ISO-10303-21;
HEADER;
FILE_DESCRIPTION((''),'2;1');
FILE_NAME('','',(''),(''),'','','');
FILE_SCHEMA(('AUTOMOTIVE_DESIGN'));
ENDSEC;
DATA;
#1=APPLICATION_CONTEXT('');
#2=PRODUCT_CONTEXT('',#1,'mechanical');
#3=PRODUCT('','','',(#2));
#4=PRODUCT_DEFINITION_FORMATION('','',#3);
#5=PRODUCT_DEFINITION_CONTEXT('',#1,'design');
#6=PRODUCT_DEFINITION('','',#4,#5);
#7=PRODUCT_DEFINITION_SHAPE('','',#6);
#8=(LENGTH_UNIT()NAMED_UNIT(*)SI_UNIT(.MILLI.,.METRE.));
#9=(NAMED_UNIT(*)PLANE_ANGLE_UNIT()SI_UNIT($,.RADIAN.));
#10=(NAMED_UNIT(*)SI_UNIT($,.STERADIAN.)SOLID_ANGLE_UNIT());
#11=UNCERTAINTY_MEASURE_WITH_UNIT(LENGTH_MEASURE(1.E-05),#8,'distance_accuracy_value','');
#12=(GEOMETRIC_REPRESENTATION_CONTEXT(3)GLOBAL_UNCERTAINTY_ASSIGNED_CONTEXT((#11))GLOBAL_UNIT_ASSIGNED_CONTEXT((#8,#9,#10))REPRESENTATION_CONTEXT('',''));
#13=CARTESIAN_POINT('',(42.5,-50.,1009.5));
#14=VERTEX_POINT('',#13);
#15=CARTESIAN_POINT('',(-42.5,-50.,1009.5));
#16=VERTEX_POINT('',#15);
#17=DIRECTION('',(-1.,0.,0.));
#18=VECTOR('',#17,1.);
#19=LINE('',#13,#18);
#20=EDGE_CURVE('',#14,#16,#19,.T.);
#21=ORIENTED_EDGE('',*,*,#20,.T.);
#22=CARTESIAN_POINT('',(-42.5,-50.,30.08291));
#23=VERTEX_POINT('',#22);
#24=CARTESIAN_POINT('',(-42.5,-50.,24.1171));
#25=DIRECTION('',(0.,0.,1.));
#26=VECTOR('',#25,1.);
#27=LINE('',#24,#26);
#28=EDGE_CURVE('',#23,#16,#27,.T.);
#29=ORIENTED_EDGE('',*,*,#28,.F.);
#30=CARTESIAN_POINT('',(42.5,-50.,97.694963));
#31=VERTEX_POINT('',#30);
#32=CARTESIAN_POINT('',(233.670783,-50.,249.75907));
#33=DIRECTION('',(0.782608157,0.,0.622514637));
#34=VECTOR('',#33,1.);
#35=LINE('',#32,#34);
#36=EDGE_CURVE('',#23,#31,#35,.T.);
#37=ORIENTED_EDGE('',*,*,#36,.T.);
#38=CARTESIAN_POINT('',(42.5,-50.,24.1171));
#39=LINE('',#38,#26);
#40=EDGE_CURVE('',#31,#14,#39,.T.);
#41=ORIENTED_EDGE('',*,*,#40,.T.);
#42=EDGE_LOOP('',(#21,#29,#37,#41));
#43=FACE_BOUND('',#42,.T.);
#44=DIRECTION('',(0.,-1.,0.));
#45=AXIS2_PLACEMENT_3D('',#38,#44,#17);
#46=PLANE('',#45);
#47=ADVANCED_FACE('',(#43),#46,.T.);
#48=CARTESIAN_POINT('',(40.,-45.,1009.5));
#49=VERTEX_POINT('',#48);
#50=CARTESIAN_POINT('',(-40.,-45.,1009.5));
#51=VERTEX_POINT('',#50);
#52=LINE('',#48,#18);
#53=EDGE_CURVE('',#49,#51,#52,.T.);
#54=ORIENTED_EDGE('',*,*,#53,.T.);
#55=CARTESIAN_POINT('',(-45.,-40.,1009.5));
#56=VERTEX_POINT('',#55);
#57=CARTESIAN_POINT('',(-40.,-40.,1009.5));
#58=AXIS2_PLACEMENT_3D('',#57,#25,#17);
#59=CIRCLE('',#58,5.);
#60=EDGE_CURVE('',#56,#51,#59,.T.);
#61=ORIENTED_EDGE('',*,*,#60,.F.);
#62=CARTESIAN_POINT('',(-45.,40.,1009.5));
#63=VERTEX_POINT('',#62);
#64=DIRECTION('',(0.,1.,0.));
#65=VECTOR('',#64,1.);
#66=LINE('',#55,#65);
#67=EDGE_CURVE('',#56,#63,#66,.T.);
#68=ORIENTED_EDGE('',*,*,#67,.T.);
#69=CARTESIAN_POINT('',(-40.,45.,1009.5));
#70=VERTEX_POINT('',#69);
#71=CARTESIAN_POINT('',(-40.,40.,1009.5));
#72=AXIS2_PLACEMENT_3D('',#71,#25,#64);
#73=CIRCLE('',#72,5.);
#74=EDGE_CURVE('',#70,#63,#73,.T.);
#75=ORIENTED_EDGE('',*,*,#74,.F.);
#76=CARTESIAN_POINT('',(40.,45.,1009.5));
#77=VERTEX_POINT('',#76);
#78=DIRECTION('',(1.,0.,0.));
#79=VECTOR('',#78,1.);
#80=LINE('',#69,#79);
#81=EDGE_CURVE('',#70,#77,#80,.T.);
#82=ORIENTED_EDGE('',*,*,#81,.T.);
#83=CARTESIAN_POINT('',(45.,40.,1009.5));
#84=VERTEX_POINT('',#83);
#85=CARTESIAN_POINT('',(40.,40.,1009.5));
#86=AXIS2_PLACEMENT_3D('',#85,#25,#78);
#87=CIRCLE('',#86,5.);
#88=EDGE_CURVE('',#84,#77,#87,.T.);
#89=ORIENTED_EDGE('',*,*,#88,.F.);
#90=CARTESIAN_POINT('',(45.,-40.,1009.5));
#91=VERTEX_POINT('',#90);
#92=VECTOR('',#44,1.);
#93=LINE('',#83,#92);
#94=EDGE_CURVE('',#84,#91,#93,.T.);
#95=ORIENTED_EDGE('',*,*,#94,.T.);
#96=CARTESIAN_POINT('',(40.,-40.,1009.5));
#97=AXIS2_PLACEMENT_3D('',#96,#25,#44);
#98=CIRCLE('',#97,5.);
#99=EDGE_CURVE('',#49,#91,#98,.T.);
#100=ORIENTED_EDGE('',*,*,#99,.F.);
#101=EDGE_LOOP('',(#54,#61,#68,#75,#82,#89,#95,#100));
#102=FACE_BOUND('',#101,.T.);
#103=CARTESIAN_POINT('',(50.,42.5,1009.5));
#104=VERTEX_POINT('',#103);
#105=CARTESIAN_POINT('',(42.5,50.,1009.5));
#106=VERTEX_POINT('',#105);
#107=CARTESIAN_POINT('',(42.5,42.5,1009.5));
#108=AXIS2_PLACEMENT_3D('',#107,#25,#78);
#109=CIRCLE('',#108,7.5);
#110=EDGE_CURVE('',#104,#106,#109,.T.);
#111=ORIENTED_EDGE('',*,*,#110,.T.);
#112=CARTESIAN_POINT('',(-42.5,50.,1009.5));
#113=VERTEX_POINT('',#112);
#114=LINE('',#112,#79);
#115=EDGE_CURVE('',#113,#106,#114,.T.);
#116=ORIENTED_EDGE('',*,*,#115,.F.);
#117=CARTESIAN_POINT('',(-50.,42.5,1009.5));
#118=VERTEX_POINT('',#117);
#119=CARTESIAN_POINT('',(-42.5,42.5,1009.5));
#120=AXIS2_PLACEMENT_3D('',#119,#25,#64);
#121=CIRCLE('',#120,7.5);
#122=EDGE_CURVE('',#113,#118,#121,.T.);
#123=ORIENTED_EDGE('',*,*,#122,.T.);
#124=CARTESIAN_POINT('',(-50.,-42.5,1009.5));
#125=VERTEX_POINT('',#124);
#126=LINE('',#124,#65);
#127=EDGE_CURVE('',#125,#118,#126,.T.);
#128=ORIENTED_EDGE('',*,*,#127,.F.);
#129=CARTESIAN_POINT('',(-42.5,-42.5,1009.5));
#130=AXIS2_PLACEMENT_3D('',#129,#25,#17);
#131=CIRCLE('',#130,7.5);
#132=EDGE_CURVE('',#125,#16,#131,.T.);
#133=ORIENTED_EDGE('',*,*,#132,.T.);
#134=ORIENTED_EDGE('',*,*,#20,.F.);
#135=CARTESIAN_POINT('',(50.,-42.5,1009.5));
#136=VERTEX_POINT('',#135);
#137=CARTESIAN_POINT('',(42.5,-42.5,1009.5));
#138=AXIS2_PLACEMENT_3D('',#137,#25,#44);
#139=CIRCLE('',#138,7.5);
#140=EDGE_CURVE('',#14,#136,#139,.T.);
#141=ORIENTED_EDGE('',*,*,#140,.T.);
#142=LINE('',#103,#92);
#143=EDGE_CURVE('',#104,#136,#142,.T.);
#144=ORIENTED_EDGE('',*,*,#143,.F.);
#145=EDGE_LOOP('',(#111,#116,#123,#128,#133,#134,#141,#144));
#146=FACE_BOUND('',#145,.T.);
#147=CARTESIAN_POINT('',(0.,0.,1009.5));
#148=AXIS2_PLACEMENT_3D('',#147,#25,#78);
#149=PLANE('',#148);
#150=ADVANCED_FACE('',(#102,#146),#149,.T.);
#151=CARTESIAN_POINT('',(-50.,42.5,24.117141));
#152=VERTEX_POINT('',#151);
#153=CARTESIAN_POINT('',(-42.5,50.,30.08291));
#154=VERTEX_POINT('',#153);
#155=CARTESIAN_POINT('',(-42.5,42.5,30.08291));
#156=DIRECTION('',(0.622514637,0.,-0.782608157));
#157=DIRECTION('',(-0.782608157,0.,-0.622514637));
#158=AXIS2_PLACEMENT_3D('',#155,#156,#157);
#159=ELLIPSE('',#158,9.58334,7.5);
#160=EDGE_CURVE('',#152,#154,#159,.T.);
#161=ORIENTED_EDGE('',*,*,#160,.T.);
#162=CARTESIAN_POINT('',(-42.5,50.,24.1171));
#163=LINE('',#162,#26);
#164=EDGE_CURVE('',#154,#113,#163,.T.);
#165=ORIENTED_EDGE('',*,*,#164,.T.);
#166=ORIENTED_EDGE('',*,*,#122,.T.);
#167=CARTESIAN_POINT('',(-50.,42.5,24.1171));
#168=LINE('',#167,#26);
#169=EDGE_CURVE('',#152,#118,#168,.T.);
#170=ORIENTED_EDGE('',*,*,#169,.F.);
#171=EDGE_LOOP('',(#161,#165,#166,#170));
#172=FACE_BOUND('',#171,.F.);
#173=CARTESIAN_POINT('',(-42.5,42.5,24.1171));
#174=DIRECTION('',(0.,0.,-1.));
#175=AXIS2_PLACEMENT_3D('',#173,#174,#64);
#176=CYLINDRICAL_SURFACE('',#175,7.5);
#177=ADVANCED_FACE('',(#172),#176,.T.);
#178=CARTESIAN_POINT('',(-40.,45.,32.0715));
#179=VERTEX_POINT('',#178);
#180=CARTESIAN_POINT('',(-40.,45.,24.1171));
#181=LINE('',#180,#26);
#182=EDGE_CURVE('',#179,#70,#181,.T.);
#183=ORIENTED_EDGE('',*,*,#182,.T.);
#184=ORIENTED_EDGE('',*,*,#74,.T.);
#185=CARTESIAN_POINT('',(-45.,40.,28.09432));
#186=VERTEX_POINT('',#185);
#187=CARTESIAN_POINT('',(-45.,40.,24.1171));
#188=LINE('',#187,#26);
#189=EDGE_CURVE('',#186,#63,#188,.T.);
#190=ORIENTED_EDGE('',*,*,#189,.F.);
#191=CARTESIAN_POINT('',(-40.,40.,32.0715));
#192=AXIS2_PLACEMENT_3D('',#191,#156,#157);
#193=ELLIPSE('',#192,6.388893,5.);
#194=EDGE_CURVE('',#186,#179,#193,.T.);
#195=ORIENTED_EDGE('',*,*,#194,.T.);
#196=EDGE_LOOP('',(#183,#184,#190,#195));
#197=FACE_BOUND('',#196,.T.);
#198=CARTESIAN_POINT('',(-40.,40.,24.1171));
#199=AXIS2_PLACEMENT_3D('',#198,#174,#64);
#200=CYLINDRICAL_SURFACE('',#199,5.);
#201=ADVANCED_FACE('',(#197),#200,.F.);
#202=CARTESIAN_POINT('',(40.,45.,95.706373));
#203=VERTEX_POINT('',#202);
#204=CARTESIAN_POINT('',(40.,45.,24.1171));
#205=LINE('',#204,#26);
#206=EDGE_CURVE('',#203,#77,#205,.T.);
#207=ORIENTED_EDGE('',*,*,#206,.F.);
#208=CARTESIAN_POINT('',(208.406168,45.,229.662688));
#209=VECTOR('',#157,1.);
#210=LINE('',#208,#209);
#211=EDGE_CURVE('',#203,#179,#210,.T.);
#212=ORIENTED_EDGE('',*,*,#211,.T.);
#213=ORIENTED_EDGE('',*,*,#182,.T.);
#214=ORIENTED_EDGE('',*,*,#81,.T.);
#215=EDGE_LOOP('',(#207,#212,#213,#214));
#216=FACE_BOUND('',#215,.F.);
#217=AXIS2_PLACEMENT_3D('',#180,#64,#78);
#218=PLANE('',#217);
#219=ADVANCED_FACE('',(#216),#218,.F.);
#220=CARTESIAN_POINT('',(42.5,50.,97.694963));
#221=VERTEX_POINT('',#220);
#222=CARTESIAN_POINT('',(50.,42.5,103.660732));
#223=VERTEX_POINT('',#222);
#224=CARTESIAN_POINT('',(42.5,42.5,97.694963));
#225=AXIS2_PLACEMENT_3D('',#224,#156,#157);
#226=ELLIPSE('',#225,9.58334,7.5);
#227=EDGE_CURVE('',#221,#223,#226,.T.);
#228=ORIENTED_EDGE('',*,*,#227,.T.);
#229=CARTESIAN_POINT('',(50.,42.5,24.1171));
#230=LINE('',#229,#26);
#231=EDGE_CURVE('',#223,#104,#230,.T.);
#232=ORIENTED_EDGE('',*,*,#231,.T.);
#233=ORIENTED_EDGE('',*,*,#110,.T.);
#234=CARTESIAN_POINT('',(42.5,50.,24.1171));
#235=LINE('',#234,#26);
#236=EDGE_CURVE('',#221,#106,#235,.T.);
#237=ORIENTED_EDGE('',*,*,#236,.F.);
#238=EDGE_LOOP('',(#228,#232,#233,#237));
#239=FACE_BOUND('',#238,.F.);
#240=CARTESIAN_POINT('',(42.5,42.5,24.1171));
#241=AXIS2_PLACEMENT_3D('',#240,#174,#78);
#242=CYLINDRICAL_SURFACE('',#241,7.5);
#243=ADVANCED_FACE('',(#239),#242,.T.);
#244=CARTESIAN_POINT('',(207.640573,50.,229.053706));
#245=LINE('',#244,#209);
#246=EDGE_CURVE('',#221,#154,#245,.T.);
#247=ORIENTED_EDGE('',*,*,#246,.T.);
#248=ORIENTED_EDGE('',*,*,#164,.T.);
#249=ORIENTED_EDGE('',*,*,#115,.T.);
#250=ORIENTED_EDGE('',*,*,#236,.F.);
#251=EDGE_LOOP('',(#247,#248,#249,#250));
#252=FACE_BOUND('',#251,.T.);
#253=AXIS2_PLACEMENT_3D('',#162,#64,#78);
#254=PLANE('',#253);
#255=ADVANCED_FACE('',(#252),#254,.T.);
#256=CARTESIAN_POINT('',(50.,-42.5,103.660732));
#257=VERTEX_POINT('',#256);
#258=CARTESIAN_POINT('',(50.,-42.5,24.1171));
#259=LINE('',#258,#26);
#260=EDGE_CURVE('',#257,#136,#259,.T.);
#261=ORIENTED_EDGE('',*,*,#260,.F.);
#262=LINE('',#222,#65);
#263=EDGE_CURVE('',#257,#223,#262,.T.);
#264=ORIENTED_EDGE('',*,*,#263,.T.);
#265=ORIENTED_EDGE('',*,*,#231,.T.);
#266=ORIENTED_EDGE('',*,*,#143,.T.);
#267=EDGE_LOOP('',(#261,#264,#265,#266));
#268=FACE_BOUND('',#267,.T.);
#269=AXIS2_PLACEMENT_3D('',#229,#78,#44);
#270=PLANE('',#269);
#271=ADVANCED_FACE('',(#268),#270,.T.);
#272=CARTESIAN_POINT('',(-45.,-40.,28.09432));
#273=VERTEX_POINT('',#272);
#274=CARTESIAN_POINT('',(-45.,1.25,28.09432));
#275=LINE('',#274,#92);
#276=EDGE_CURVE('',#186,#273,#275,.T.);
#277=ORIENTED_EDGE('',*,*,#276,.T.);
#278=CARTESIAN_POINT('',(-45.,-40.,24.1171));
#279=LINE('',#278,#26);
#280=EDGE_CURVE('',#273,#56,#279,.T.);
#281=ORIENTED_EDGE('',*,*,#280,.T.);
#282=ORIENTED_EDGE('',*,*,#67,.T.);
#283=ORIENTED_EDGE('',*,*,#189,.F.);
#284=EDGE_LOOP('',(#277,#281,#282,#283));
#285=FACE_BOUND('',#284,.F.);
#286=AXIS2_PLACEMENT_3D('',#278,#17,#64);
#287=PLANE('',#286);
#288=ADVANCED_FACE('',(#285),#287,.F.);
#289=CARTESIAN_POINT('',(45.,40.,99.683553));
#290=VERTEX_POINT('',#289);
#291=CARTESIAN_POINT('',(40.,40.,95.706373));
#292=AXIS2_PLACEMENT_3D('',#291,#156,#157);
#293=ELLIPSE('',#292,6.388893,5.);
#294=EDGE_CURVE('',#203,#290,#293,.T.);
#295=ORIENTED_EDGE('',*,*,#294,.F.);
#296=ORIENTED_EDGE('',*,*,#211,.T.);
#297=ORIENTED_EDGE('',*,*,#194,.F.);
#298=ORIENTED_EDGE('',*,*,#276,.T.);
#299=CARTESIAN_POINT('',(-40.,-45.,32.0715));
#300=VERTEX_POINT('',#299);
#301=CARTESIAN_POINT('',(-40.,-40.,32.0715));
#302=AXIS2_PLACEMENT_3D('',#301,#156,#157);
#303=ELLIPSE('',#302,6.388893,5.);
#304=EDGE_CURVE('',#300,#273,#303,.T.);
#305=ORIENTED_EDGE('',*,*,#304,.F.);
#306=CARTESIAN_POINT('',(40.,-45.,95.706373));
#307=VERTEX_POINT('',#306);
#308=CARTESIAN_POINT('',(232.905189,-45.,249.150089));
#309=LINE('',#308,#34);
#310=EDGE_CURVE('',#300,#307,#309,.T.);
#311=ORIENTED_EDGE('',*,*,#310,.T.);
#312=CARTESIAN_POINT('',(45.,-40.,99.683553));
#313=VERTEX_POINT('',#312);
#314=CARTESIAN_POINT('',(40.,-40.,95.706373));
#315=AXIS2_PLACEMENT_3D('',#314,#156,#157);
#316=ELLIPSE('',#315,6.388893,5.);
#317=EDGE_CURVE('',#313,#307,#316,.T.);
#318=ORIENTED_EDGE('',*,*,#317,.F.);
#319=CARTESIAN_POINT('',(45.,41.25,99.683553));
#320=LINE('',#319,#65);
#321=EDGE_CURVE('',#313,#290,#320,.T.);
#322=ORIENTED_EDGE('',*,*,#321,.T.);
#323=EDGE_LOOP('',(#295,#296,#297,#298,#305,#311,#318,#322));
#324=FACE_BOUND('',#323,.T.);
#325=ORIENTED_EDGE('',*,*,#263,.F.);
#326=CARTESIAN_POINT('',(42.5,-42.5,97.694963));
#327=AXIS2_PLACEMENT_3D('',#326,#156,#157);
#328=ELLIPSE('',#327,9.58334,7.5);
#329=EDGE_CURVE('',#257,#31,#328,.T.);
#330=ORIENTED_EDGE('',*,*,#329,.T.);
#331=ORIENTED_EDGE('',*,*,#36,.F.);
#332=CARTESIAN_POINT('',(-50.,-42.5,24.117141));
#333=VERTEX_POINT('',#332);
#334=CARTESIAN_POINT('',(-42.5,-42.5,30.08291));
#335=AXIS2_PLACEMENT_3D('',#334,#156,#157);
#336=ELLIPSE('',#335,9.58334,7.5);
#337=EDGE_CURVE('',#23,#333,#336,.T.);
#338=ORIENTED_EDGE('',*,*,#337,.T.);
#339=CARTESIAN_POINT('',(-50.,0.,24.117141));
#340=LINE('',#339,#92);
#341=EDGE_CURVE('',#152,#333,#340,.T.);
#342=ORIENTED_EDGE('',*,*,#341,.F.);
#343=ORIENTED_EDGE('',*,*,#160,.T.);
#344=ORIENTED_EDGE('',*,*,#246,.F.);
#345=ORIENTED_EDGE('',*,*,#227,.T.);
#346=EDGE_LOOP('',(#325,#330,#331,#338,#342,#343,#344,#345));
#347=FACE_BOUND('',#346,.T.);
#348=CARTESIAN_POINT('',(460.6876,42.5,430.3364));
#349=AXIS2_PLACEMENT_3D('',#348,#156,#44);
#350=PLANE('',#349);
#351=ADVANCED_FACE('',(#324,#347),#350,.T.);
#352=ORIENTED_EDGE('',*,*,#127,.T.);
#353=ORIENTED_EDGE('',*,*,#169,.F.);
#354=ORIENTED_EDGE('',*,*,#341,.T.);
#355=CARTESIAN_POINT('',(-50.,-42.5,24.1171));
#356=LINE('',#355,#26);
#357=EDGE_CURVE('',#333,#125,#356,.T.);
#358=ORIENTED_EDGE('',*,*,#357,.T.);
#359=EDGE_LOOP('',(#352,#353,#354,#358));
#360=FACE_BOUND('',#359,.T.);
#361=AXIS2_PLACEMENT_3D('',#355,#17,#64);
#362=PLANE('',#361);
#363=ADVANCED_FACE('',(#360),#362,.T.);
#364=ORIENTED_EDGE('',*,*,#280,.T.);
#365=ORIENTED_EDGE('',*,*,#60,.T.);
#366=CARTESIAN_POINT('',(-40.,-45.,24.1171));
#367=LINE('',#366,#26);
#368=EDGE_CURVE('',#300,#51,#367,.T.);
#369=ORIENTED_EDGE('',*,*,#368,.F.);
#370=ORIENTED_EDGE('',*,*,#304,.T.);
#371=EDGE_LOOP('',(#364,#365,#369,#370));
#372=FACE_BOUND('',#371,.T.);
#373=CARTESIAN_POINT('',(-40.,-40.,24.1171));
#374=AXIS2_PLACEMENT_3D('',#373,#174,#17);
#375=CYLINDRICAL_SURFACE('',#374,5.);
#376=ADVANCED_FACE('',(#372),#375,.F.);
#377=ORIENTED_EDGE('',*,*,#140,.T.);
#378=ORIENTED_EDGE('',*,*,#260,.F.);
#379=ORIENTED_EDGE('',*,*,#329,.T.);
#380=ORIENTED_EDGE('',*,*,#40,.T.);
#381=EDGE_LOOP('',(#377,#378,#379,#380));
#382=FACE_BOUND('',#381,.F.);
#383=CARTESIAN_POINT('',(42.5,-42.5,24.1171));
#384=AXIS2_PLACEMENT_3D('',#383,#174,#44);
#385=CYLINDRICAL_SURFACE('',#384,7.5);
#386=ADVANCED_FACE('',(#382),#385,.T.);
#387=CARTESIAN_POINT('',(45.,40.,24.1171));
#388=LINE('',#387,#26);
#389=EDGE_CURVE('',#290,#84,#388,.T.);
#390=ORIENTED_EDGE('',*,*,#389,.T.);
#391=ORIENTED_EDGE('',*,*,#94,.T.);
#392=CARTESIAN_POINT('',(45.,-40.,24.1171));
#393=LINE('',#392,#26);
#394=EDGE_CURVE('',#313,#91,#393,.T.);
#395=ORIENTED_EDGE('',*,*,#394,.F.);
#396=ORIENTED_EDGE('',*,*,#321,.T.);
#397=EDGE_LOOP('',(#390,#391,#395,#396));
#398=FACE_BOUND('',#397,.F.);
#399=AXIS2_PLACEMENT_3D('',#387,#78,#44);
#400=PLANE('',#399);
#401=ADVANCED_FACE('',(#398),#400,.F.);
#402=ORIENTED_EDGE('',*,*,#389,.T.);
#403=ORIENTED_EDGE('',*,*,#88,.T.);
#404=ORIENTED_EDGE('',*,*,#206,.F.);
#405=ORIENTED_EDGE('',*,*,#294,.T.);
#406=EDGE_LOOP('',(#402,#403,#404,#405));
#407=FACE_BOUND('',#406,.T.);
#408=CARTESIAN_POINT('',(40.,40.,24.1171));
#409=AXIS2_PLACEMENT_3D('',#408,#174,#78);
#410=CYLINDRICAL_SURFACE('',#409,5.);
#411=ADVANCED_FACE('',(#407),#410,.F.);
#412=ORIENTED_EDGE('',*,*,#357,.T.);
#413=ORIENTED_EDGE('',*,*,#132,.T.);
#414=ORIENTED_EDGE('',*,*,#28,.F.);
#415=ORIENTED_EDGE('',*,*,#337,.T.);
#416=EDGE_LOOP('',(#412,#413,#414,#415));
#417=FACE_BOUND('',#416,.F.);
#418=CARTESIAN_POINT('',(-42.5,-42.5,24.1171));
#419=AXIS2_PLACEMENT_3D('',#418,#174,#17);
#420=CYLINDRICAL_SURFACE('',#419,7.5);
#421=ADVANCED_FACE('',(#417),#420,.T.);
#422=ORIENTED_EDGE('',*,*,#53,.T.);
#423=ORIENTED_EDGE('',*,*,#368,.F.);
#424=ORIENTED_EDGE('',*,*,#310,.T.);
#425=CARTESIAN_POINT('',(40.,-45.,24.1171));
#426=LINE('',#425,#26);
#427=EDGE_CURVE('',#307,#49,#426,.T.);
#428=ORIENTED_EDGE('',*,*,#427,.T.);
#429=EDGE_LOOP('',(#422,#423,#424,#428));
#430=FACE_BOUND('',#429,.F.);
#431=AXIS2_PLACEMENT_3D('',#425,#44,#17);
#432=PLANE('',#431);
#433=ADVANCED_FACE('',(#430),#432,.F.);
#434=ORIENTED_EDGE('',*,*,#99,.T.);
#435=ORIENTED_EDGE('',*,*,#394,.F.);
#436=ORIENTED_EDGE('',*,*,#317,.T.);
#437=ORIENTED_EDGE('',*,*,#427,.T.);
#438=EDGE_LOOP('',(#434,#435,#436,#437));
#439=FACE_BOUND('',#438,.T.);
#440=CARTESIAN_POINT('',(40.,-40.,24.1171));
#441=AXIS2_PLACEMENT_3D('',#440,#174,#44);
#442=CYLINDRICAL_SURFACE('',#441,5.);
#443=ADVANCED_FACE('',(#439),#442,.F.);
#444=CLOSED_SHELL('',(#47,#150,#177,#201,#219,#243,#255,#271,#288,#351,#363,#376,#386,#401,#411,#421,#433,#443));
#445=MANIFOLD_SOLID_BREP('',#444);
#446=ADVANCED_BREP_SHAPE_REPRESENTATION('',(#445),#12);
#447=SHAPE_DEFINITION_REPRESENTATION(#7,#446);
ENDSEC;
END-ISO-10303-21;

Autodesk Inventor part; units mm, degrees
ref_plane "Start Plane" through (0, 0, 24.1171) normal (0, 0, 1) x (1, 0, 0)
ref_plane "End Plane" through (0, 0, 1009.5) normal (0, 0, 1) x (1, 0, 0)
sketch "Sketch" plane through (0, 0, 0) normal (0, 0, 1) x (1, 0, 0)
  line L0 (-50, -42.5) -> (-50, 42.5)
  line L1 (-42.5, 50) -> (42.5, 50)
  line L2 (50, 42.5) -> (50, -42.5)
  line L3 (42.5, -50) -> (-42.5, -50)
  arc A0 (-50, -42.5) -> (-42.5, -50) centre (-42.5, -42.5) ccw
  arc A1 (-42.5, 50) -> (-50, 42.5) centre (-42.5, 42.5) ccw
  arc A2 (50, 42.5) -> (42.5, 50) centre (42.5, 42.5) ccw
  arc A3 (42.5, -50) -> (50, -42.5) centre (42.5, -42.5) ccw
  line L4 (-40, 45) -> (40, 45)
  line L5 (45, 40) -> (45, -40)
  line L6 (40, -45) -> (-40, -45)
  line L7 (-45, -40) -> (-45, 40)
  line L8 (0, 72.1746) -> (0, -72.1746) construction
  line L9 (-72.1746, 0) -> (72.1746, 0) construction
  arc A4 (-45, -40) -> (-40, -45) centre (-40, -40) ccw
  arc A5 (-40, 45) -> (-45, 40) centre (-40, 40) ccw
  arc A6 (45, 40) -> (40, 45) centre (40, 40) ccw
  arc A7 (40, -45) -> (45, -40) centre (40, -40) ccw
  dimension "d7" = 7.5
  dimension "d10" = 100
  dimension "d11" = 100
  dimension "d12" = 5
  dimension "d15" = 50
  dimension "d16" = 50
  dimension "d19" = 5
  dimension "d20" = 5
extrude "Body" add sketch "Sketch" along normal up to surface (985.3829 mm away) from surface at 24.1171
sketch "Sketch3" plane through (0, 0, 0) normal (0, 0, 1) x (1, 0, 0)
  line L0 (0, 0) -> (10, 0)
ref_plane "Work Plane3" through (0, 0, 0) normal (0, -1, 0) x (1, 0, 0)
ref_plane "Work Plane6" through (460.6876, 42.5, 430.3364) normal (0.6225, 0, -0.7826) x (-0.7826, 0, -0.6225)
split "Split3" plane through (460.6876, 42.5, 430.3364) removes the side toward (0.6225, 0, -0.7826)
sketch "Sketch4" plane through (0, 0, 0) normal (0, -1, 0) x (1, 0, 0)
  line L0 (-2, 24.1171) -> (12, 24.1171) projected
  line L1 (-2, 1009.5) -> (12, 1009.5) projected
  dimension "d18" = 985.3829
equation "\"d7\" = G_IR"
equation "\"d10\" = G_H"
equation "\"d11\" = G_W"
equation "\"d12\" = G_T"
equation "\"d15\" = 0.5 * d10"
equation "\"d16\" = 0.5 * d11"
equation "\"d19\" = G_T"
equation "\"d20\" = G_T"
equation "\"d3\" = G_L"
equation "\"G_W\" = 100"
equation "\"G_H\" = 100"
equation "\"G_T\" = 5"
equation "\"G_IR\" = 7.5"
equation "\"G_L\" = d18"
equation "\"G_OFFSET_START\" = -24.11714"
equation "\"G_OFFSET_END\" = 0"
equation "\"d13\" = -G_OFFSET_START"
equation "\"d14\" = G_OFFSET_END + B_L"
equation "\"B_L\" = 1009.5"
properties part number "DIN EN 10210-2 - 100 x 100 x 5 - 985,38" material "Steel, Mild"
